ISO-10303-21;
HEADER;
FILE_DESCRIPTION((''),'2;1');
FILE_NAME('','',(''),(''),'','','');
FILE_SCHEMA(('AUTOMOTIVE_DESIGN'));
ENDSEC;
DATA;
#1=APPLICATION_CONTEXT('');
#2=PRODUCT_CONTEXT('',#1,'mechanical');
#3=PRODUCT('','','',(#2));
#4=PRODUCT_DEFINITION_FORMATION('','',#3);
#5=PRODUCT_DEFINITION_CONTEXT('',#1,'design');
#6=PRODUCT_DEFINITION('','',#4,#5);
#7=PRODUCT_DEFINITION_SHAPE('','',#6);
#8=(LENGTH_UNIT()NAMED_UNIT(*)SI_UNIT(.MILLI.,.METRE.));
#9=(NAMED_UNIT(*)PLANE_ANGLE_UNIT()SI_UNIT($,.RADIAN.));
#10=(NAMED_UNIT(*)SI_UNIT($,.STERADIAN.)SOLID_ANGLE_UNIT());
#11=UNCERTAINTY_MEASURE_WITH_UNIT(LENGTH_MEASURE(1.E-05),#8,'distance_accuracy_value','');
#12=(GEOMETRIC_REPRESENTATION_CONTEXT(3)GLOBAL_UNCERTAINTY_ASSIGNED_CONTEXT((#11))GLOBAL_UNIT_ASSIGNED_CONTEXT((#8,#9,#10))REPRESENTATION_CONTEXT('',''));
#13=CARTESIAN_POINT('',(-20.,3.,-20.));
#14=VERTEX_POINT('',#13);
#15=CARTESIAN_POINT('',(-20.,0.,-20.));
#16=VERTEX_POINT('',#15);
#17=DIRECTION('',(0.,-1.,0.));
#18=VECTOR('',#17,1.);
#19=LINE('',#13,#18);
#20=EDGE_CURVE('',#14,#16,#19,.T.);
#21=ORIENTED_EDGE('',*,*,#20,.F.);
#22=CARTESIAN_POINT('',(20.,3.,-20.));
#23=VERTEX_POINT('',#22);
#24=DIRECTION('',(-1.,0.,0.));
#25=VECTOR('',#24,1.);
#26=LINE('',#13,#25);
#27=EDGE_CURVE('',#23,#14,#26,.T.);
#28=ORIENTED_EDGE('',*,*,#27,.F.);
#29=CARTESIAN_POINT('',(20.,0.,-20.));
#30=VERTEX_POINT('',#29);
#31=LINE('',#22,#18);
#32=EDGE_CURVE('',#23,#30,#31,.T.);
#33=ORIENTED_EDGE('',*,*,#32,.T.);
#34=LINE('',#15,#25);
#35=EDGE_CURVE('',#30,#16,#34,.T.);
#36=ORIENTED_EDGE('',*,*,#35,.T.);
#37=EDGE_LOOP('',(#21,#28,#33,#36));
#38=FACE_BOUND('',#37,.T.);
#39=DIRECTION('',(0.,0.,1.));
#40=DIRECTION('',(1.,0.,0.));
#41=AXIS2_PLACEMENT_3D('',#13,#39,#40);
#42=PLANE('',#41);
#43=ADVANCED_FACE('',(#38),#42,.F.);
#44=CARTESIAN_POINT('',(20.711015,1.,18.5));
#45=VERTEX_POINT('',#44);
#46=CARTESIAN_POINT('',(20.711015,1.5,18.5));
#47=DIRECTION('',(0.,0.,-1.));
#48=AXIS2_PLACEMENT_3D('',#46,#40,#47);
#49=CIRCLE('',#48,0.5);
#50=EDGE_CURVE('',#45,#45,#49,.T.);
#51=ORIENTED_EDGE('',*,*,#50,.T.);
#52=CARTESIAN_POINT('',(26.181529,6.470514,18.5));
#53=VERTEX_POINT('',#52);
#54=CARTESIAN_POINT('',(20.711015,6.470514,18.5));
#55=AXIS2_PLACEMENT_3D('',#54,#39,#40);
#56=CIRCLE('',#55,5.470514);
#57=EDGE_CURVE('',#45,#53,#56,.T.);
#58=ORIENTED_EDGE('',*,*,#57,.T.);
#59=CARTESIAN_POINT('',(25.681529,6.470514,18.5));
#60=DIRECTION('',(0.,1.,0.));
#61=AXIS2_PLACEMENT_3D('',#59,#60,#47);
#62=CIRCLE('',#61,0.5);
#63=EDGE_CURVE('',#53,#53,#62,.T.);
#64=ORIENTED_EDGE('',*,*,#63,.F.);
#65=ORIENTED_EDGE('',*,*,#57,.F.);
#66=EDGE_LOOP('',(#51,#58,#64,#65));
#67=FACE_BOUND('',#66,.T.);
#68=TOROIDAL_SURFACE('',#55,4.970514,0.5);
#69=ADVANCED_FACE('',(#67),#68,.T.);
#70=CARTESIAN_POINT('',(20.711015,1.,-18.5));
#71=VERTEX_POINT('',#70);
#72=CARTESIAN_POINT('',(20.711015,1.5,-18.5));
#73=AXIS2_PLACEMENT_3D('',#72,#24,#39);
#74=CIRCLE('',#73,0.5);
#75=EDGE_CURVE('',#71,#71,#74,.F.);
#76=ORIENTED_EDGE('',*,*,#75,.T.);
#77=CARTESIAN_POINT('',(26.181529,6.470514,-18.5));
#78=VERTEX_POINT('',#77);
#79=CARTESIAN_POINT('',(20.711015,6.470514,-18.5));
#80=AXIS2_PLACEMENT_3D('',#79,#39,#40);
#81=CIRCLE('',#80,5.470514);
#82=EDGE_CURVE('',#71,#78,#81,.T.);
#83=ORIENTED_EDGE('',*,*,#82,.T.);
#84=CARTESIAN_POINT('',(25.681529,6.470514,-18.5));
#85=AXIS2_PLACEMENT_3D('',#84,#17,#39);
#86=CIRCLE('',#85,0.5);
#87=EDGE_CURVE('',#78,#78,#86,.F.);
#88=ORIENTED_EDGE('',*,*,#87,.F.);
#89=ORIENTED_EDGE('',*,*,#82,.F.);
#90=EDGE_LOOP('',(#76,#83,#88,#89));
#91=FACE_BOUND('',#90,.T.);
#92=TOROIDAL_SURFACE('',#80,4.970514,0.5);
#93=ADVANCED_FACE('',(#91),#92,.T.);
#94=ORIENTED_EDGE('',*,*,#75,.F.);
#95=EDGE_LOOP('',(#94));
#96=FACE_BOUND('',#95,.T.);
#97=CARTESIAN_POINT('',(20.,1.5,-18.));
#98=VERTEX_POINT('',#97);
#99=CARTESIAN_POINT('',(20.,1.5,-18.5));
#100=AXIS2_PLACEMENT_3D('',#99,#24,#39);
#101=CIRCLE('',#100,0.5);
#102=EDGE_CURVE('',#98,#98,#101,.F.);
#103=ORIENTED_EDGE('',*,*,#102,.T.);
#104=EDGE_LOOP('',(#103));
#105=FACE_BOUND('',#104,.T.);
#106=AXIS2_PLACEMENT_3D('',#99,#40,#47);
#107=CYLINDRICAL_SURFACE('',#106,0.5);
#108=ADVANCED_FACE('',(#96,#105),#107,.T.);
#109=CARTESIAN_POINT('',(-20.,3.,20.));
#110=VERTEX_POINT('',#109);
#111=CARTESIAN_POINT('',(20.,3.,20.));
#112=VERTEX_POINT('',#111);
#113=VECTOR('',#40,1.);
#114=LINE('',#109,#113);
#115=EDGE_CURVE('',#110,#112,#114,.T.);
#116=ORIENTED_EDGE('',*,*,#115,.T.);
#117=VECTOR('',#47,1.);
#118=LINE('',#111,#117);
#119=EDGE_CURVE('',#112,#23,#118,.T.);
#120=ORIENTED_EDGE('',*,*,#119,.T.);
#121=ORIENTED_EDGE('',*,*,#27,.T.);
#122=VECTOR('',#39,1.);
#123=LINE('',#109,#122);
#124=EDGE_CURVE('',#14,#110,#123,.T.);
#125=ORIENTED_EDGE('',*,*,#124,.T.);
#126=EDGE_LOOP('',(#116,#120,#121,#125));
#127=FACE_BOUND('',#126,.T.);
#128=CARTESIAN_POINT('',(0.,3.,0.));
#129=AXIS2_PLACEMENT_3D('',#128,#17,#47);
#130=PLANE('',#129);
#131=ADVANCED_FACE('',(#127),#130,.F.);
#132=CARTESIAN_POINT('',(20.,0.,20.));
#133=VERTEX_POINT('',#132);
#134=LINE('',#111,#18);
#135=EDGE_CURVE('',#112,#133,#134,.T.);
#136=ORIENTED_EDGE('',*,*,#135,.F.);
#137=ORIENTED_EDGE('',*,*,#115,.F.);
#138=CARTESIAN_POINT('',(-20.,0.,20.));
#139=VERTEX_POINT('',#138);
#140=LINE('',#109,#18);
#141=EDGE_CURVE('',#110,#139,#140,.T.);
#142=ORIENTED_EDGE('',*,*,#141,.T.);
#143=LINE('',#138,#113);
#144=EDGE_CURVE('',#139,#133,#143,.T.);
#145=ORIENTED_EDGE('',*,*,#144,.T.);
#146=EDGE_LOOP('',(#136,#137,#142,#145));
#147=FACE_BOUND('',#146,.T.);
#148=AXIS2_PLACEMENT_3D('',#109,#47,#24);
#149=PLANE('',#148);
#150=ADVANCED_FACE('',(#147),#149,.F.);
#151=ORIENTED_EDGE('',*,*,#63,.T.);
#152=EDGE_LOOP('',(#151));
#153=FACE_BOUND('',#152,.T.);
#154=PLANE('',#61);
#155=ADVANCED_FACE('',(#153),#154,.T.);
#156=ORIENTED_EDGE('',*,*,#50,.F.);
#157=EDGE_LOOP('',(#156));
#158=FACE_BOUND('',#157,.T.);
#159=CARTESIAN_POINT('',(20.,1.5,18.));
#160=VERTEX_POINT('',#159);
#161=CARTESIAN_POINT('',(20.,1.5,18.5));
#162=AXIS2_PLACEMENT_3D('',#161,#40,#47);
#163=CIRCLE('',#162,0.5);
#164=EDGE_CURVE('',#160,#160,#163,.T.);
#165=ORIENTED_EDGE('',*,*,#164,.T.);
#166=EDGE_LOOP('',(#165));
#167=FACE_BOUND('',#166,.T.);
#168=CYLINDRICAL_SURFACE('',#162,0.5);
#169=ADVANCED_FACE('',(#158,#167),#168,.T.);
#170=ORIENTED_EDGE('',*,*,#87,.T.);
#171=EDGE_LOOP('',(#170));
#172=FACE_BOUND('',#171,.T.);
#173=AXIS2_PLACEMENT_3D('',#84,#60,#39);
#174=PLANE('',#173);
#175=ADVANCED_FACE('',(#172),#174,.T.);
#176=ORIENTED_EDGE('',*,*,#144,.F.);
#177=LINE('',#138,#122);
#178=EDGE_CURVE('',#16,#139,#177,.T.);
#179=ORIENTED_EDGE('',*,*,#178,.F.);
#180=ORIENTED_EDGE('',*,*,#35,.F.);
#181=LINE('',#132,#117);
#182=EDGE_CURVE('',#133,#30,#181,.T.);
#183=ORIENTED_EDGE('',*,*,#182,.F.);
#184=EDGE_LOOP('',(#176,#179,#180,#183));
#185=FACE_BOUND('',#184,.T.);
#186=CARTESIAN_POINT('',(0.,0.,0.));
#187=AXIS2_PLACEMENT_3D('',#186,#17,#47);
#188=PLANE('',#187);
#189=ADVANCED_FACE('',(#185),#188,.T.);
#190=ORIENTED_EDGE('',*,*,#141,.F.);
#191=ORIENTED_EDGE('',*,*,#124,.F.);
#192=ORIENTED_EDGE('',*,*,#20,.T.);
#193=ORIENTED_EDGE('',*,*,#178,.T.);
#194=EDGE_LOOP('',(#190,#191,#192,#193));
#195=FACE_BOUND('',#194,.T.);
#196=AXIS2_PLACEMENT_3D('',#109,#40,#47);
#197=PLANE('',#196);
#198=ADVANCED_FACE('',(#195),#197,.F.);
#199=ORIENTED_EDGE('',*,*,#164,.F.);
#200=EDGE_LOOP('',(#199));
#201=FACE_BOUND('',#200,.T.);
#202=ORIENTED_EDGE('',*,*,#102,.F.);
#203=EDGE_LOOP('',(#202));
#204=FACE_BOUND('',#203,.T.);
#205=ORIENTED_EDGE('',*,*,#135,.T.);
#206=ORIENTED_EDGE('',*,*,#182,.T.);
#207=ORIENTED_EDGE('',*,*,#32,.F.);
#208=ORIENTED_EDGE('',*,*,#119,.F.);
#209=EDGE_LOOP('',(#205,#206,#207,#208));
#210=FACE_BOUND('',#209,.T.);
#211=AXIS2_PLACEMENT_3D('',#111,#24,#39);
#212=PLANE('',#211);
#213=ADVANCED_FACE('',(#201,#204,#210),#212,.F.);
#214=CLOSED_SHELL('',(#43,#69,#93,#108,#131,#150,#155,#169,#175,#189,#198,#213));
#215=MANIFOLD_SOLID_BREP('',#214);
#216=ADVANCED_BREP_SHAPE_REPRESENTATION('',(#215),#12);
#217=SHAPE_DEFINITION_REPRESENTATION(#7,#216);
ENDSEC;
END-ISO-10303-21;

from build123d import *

# Parameters (mm, degrees)
SKETCH1_W           = 40
SKETCH1_H           = 40
BOSS_EXTRUDE1_DEPTH = 3
SKETCH2_R           = 0.5


with BuildPart() as part:
    # Sketch1 → Boss-Extrude1 (new body)
    with BuildSketch(Plane(origin=(0, 0, 0), x_dir=(1, 0, 0), z_dir=(0, 1, 0))):
        Rectangle(SKETCH1_W, SKETCH1_H)
    extrude(amount=BOSS_EXTRUDE1_DEPTH)

    # Sweep1: sweep along a path in Sketch3
    with BuildLine(Plane.XY.offset(18.5)) as sweep1_path:
        Line((20, 1.5), (20.711014952, 1.5))
        ThreePointArc((20.711014952, 1.5), (24.225698973, 2.955829789), (25.681528762, 6.47051381))
    # Sketch2 → Sweep1 (sweep)
    with BuildSketch(Plane(origin=(20, 0, 0), x_dir=(0, 0, -1), z_dir=(1, 0, 0))):
        with Locations((-18.5, 1.5)):
            Circle(SKETCH2_R)
    sweep1 = sweep(path=sweep1_path.line)

    # Mirror1: Sweep1 across plane
    add(sweep1.mirror(Plane.XY))


solid = part.part
